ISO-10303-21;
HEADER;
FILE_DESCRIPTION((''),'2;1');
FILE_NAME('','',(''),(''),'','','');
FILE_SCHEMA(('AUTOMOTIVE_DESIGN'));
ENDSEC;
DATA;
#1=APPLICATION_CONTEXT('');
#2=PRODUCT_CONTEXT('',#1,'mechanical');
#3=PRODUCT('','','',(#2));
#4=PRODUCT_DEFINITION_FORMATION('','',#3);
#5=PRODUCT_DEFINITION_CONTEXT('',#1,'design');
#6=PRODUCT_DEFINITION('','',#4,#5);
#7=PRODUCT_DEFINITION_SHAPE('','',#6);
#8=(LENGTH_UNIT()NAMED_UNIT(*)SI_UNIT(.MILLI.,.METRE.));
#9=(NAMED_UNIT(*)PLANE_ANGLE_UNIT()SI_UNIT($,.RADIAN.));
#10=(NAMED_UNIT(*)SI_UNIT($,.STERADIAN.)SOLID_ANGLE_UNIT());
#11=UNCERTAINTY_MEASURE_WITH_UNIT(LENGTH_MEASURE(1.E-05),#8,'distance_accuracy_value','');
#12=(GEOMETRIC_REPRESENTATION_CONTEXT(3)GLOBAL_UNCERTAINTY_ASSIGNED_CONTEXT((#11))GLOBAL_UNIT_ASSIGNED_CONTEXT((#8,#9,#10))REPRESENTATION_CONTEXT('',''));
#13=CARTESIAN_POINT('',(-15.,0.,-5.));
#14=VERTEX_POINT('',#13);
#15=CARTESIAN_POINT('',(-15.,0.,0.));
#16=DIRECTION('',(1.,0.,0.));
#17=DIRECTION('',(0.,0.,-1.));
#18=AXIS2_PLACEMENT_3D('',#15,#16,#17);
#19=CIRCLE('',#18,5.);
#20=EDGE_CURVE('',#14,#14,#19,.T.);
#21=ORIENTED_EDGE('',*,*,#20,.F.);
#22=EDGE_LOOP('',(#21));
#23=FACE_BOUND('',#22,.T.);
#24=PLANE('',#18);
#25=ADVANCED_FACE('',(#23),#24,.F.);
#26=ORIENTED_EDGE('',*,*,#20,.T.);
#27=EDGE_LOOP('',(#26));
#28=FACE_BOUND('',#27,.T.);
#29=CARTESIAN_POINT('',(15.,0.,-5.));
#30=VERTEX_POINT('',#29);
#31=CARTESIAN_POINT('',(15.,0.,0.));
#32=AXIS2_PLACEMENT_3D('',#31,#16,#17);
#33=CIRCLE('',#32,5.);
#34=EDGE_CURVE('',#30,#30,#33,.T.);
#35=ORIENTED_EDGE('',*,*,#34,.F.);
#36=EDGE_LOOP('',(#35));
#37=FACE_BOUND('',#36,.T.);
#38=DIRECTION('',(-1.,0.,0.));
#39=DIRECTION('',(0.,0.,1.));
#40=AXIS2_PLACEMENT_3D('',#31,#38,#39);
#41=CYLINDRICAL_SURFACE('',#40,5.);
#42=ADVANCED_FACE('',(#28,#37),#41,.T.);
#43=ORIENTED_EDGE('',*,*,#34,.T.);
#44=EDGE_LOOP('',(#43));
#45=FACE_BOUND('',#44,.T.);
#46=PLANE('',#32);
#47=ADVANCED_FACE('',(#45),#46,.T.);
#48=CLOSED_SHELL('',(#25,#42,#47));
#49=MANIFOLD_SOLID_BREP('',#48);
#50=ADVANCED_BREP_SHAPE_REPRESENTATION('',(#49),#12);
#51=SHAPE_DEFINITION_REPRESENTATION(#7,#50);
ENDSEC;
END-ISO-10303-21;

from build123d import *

# Parameters (mm, degrees)
ESQUISSE1_R        = 5
BOSS_EXTRU_1_DEPTH = 15


with BuildPart() as part:
    # Esquisse1 → Boss.-Extru.1 (new body, symmetric)
    with BuildSketch(Plane(origin=(0, 0, 0), x_dir=(0, 0, -1), z_dir=(1, 0, 0))):
        Circle(ESQUISSE1_R)
    extrude(amount=BOSS_EXTRU_1_DEPTH, both=True)


solid = part.part
